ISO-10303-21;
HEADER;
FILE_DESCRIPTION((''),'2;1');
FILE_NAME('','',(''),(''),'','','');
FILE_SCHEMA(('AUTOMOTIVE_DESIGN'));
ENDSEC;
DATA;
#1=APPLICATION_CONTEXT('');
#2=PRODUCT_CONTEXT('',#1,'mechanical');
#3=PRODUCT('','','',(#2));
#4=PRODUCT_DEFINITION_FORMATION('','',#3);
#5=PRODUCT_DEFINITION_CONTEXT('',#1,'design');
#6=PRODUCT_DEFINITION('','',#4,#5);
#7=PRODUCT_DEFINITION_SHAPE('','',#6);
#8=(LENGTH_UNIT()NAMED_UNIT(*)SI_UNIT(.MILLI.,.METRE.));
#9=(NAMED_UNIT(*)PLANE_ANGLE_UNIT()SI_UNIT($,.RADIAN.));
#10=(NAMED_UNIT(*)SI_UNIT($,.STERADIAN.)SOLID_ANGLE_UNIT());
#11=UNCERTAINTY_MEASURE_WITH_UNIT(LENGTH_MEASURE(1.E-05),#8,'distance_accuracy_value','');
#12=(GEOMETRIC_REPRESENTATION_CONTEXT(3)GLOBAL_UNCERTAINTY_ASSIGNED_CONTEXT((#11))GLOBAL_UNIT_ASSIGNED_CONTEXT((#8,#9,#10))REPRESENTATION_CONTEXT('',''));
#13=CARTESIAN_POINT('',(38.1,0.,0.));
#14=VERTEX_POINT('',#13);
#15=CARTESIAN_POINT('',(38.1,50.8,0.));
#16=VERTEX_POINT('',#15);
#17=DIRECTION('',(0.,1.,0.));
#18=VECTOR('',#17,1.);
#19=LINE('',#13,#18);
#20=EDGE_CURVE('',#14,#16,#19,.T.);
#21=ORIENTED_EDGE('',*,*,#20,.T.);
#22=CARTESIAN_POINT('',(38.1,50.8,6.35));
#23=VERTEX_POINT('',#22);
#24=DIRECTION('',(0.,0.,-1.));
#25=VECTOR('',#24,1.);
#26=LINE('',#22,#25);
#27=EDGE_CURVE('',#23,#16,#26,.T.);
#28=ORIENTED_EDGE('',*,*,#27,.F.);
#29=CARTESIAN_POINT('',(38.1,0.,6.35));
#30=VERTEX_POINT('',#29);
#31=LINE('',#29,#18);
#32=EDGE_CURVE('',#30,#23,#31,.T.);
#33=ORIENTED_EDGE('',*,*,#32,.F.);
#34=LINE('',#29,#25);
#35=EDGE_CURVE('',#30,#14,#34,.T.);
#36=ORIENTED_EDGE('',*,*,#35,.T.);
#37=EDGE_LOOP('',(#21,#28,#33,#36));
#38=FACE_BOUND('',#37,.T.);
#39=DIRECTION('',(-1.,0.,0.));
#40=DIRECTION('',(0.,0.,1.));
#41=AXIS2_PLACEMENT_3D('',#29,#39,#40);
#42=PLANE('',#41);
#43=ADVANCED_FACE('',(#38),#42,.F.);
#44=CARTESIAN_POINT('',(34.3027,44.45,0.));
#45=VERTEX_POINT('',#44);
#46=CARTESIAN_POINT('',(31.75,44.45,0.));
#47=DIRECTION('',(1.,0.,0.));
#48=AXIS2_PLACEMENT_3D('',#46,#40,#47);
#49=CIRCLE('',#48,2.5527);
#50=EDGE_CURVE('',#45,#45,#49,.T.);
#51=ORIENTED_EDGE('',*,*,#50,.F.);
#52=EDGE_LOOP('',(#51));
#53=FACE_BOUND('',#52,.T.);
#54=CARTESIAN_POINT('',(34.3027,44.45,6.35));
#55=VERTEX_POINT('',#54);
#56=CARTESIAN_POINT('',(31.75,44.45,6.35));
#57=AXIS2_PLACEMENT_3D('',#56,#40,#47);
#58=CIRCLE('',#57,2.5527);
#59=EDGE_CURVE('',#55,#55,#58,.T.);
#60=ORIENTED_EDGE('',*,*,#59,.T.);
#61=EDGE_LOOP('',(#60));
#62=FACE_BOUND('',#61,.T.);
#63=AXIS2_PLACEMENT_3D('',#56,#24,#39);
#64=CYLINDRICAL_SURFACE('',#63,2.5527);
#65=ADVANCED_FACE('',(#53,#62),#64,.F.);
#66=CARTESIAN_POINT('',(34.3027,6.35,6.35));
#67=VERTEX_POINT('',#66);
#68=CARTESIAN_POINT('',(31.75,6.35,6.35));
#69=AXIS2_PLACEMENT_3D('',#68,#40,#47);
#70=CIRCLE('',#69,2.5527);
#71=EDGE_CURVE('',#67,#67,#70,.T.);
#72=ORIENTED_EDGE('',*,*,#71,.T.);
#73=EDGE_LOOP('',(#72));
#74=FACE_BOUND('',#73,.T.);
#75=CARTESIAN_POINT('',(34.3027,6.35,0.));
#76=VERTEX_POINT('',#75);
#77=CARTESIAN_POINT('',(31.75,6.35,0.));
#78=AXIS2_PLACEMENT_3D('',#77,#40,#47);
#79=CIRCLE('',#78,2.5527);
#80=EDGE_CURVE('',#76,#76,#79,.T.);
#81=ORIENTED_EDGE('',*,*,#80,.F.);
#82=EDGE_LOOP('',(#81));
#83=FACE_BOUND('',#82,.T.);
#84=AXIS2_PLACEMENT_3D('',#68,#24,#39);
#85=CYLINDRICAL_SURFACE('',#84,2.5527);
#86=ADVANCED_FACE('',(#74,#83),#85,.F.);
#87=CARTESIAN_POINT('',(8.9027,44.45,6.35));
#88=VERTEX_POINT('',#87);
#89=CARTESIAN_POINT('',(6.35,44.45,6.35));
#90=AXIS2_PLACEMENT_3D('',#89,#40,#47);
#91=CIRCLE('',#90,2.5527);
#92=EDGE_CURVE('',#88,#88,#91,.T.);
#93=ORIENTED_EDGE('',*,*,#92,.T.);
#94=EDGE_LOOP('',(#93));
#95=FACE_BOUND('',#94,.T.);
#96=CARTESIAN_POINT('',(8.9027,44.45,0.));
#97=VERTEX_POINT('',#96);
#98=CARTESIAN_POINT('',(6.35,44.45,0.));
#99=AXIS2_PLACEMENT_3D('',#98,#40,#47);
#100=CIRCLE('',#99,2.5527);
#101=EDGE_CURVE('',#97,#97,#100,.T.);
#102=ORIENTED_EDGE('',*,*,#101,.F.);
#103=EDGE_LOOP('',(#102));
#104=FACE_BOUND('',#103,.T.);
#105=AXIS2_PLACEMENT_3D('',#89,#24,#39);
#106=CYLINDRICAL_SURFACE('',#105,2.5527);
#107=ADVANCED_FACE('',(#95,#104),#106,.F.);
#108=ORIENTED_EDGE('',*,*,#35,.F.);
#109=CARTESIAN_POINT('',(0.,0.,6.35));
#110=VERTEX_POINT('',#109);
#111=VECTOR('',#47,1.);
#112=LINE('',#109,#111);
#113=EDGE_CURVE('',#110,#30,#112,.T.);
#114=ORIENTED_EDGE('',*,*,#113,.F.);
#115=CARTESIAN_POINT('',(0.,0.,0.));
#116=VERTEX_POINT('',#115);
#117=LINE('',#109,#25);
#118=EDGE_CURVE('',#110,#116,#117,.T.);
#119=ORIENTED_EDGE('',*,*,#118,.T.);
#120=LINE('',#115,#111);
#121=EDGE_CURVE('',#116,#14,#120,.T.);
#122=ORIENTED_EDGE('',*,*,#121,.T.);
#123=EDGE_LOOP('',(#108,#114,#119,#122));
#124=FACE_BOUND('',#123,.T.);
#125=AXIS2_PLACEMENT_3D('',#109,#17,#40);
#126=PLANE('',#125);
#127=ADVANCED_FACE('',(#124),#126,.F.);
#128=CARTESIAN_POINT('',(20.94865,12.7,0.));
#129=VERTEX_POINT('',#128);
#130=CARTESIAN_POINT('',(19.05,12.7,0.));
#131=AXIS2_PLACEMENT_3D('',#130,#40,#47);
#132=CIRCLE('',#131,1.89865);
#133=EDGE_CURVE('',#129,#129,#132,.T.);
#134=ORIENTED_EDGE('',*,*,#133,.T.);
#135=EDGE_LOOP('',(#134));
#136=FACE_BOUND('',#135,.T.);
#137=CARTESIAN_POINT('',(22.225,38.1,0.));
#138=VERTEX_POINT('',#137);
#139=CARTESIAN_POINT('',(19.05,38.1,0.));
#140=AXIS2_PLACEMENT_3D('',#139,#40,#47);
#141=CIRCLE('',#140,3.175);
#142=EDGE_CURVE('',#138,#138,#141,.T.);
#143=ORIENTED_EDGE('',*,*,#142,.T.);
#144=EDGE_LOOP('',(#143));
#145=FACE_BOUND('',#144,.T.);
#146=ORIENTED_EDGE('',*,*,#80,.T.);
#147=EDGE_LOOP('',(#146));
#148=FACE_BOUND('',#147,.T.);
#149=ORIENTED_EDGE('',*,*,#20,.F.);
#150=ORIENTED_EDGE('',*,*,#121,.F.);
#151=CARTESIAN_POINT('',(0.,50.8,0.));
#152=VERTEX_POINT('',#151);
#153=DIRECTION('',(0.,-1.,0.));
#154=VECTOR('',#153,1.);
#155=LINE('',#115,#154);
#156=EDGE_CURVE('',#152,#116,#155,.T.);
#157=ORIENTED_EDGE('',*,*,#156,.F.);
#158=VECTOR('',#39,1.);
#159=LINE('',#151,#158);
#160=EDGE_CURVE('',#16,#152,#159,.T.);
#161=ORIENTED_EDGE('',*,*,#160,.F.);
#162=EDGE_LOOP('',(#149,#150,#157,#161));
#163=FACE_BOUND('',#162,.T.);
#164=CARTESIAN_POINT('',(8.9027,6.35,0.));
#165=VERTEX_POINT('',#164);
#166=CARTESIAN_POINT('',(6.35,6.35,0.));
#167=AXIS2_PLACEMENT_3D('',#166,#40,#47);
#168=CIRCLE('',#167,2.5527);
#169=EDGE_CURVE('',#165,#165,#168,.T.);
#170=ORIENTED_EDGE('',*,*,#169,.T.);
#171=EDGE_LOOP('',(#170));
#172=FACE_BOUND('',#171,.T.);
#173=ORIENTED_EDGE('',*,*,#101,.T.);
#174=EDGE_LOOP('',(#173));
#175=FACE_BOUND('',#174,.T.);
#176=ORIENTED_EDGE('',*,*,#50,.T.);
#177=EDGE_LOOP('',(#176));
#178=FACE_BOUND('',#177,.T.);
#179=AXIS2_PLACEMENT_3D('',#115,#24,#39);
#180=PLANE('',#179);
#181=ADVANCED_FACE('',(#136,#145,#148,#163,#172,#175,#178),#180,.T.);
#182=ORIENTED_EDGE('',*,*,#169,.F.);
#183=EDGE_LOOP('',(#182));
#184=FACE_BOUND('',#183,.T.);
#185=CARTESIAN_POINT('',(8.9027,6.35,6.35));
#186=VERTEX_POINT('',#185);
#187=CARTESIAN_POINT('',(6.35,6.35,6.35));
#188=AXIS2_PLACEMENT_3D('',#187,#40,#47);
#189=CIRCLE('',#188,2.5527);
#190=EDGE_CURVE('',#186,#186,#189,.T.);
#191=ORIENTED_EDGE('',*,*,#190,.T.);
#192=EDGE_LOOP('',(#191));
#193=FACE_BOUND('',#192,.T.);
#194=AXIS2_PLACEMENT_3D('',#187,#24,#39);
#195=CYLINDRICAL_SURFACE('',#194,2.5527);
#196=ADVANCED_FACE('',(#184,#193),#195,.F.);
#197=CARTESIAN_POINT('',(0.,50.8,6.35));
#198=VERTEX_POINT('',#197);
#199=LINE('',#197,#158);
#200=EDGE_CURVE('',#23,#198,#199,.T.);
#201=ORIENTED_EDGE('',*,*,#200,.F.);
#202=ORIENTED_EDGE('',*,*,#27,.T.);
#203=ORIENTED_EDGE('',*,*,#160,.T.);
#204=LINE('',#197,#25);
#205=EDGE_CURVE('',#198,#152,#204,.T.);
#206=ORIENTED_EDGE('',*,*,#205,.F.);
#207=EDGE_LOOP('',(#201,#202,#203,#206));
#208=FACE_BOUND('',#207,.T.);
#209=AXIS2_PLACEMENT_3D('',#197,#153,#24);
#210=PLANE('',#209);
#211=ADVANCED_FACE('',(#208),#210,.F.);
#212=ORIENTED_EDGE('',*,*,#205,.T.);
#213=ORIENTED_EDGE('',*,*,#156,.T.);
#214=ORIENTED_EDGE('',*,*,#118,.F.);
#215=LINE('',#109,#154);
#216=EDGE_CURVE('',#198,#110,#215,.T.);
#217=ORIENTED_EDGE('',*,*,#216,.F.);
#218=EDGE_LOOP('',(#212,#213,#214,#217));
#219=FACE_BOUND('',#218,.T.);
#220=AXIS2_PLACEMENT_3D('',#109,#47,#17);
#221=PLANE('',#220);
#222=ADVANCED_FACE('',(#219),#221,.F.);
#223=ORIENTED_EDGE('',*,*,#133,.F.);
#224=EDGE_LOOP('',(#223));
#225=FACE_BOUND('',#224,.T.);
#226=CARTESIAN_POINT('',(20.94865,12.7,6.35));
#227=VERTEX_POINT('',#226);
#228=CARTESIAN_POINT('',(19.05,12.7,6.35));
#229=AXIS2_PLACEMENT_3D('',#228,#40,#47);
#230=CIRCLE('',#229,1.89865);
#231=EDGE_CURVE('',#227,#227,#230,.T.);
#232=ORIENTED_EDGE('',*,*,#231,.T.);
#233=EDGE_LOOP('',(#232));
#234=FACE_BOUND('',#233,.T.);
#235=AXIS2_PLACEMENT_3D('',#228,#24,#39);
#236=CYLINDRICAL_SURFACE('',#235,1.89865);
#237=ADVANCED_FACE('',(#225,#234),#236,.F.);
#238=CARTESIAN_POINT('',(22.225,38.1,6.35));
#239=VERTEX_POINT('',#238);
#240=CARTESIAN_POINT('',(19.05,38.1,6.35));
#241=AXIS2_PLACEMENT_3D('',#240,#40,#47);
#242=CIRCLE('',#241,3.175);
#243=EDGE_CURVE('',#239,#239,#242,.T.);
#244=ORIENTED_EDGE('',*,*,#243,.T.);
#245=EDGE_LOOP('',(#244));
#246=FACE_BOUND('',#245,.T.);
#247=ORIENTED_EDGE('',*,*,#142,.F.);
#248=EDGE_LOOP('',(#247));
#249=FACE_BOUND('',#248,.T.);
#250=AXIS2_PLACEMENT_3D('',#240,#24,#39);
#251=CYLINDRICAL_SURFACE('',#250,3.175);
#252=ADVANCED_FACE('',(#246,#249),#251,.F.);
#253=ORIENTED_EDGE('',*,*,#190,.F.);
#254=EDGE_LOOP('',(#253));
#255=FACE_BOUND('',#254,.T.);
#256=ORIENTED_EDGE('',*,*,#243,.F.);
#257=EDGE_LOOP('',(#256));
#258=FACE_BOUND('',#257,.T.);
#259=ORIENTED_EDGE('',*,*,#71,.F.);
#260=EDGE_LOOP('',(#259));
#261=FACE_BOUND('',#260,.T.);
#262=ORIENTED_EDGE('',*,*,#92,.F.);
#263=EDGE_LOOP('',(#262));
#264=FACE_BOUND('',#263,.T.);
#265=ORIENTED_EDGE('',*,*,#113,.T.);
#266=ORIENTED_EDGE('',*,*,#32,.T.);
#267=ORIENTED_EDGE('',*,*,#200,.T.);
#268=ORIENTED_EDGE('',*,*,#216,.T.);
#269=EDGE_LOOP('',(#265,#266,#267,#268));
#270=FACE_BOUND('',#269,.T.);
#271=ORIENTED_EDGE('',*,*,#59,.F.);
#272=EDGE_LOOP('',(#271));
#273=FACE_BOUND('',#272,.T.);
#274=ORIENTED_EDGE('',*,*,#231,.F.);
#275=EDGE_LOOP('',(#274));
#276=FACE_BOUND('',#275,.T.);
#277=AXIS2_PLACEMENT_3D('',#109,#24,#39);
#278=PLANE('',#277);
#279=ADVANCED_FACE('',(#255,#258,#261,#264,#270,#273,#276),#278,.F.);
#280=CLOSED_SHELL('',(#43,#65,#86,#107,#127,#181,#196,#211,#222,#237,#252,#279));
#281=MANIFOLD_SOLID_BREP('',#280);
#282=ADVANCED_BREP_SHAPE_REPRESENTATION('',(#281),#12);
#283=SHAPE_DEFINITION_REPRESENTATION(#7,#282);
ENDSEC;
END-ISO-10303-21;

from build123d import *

# Parameters (mm, degrees)
SKETCH3_W           = 38.1
SKETCH3_H           = 50.8
SKETCH3_R           = 2.5527
SKETCH3_R_2         = 3.175
SKETCH3_R_3         = 1.89865
BOSS_EXTRUDE4_DEPTH = 6.35


with BuildPart() as part:
    # Sketch3 → Boss-Extrude4 (new body)
    with BuildSketch(Plane.XY):
        with Locations((19.05, 25.4)):
            Rectangle(SKETCH3_W, SKETCH3_H)
        with Locations((6.35, 44.45)):
            Circle(SKETCH3_R, mode=Mode.SUBTRACT)
        with Locations((31.75, 44.45)):
            Circle(SKETCH3_R, mode=Mode.SUBTRACT)
        with Locations((31.75, 6.35)):
            Circle(SKETCH3_R, mode=Mode.SUBTRACT)
        with Locations((6.35, 6.35)):
            Circle(SKETCH3_R, mode=Mode.SUBTRACT)
        with Locations((19.05, 38.1)):
            Circle(SKETCH3_R_2, mode=Mode.SUBTRACT)
        with Locations((19.05, 12.7)):
            Circle(SKETCH3_R_3, mode=Mode.SUBTRACT)
    extrude(amount=BOSS_EXTRUDE4_DEPTH)


solid = part.part
